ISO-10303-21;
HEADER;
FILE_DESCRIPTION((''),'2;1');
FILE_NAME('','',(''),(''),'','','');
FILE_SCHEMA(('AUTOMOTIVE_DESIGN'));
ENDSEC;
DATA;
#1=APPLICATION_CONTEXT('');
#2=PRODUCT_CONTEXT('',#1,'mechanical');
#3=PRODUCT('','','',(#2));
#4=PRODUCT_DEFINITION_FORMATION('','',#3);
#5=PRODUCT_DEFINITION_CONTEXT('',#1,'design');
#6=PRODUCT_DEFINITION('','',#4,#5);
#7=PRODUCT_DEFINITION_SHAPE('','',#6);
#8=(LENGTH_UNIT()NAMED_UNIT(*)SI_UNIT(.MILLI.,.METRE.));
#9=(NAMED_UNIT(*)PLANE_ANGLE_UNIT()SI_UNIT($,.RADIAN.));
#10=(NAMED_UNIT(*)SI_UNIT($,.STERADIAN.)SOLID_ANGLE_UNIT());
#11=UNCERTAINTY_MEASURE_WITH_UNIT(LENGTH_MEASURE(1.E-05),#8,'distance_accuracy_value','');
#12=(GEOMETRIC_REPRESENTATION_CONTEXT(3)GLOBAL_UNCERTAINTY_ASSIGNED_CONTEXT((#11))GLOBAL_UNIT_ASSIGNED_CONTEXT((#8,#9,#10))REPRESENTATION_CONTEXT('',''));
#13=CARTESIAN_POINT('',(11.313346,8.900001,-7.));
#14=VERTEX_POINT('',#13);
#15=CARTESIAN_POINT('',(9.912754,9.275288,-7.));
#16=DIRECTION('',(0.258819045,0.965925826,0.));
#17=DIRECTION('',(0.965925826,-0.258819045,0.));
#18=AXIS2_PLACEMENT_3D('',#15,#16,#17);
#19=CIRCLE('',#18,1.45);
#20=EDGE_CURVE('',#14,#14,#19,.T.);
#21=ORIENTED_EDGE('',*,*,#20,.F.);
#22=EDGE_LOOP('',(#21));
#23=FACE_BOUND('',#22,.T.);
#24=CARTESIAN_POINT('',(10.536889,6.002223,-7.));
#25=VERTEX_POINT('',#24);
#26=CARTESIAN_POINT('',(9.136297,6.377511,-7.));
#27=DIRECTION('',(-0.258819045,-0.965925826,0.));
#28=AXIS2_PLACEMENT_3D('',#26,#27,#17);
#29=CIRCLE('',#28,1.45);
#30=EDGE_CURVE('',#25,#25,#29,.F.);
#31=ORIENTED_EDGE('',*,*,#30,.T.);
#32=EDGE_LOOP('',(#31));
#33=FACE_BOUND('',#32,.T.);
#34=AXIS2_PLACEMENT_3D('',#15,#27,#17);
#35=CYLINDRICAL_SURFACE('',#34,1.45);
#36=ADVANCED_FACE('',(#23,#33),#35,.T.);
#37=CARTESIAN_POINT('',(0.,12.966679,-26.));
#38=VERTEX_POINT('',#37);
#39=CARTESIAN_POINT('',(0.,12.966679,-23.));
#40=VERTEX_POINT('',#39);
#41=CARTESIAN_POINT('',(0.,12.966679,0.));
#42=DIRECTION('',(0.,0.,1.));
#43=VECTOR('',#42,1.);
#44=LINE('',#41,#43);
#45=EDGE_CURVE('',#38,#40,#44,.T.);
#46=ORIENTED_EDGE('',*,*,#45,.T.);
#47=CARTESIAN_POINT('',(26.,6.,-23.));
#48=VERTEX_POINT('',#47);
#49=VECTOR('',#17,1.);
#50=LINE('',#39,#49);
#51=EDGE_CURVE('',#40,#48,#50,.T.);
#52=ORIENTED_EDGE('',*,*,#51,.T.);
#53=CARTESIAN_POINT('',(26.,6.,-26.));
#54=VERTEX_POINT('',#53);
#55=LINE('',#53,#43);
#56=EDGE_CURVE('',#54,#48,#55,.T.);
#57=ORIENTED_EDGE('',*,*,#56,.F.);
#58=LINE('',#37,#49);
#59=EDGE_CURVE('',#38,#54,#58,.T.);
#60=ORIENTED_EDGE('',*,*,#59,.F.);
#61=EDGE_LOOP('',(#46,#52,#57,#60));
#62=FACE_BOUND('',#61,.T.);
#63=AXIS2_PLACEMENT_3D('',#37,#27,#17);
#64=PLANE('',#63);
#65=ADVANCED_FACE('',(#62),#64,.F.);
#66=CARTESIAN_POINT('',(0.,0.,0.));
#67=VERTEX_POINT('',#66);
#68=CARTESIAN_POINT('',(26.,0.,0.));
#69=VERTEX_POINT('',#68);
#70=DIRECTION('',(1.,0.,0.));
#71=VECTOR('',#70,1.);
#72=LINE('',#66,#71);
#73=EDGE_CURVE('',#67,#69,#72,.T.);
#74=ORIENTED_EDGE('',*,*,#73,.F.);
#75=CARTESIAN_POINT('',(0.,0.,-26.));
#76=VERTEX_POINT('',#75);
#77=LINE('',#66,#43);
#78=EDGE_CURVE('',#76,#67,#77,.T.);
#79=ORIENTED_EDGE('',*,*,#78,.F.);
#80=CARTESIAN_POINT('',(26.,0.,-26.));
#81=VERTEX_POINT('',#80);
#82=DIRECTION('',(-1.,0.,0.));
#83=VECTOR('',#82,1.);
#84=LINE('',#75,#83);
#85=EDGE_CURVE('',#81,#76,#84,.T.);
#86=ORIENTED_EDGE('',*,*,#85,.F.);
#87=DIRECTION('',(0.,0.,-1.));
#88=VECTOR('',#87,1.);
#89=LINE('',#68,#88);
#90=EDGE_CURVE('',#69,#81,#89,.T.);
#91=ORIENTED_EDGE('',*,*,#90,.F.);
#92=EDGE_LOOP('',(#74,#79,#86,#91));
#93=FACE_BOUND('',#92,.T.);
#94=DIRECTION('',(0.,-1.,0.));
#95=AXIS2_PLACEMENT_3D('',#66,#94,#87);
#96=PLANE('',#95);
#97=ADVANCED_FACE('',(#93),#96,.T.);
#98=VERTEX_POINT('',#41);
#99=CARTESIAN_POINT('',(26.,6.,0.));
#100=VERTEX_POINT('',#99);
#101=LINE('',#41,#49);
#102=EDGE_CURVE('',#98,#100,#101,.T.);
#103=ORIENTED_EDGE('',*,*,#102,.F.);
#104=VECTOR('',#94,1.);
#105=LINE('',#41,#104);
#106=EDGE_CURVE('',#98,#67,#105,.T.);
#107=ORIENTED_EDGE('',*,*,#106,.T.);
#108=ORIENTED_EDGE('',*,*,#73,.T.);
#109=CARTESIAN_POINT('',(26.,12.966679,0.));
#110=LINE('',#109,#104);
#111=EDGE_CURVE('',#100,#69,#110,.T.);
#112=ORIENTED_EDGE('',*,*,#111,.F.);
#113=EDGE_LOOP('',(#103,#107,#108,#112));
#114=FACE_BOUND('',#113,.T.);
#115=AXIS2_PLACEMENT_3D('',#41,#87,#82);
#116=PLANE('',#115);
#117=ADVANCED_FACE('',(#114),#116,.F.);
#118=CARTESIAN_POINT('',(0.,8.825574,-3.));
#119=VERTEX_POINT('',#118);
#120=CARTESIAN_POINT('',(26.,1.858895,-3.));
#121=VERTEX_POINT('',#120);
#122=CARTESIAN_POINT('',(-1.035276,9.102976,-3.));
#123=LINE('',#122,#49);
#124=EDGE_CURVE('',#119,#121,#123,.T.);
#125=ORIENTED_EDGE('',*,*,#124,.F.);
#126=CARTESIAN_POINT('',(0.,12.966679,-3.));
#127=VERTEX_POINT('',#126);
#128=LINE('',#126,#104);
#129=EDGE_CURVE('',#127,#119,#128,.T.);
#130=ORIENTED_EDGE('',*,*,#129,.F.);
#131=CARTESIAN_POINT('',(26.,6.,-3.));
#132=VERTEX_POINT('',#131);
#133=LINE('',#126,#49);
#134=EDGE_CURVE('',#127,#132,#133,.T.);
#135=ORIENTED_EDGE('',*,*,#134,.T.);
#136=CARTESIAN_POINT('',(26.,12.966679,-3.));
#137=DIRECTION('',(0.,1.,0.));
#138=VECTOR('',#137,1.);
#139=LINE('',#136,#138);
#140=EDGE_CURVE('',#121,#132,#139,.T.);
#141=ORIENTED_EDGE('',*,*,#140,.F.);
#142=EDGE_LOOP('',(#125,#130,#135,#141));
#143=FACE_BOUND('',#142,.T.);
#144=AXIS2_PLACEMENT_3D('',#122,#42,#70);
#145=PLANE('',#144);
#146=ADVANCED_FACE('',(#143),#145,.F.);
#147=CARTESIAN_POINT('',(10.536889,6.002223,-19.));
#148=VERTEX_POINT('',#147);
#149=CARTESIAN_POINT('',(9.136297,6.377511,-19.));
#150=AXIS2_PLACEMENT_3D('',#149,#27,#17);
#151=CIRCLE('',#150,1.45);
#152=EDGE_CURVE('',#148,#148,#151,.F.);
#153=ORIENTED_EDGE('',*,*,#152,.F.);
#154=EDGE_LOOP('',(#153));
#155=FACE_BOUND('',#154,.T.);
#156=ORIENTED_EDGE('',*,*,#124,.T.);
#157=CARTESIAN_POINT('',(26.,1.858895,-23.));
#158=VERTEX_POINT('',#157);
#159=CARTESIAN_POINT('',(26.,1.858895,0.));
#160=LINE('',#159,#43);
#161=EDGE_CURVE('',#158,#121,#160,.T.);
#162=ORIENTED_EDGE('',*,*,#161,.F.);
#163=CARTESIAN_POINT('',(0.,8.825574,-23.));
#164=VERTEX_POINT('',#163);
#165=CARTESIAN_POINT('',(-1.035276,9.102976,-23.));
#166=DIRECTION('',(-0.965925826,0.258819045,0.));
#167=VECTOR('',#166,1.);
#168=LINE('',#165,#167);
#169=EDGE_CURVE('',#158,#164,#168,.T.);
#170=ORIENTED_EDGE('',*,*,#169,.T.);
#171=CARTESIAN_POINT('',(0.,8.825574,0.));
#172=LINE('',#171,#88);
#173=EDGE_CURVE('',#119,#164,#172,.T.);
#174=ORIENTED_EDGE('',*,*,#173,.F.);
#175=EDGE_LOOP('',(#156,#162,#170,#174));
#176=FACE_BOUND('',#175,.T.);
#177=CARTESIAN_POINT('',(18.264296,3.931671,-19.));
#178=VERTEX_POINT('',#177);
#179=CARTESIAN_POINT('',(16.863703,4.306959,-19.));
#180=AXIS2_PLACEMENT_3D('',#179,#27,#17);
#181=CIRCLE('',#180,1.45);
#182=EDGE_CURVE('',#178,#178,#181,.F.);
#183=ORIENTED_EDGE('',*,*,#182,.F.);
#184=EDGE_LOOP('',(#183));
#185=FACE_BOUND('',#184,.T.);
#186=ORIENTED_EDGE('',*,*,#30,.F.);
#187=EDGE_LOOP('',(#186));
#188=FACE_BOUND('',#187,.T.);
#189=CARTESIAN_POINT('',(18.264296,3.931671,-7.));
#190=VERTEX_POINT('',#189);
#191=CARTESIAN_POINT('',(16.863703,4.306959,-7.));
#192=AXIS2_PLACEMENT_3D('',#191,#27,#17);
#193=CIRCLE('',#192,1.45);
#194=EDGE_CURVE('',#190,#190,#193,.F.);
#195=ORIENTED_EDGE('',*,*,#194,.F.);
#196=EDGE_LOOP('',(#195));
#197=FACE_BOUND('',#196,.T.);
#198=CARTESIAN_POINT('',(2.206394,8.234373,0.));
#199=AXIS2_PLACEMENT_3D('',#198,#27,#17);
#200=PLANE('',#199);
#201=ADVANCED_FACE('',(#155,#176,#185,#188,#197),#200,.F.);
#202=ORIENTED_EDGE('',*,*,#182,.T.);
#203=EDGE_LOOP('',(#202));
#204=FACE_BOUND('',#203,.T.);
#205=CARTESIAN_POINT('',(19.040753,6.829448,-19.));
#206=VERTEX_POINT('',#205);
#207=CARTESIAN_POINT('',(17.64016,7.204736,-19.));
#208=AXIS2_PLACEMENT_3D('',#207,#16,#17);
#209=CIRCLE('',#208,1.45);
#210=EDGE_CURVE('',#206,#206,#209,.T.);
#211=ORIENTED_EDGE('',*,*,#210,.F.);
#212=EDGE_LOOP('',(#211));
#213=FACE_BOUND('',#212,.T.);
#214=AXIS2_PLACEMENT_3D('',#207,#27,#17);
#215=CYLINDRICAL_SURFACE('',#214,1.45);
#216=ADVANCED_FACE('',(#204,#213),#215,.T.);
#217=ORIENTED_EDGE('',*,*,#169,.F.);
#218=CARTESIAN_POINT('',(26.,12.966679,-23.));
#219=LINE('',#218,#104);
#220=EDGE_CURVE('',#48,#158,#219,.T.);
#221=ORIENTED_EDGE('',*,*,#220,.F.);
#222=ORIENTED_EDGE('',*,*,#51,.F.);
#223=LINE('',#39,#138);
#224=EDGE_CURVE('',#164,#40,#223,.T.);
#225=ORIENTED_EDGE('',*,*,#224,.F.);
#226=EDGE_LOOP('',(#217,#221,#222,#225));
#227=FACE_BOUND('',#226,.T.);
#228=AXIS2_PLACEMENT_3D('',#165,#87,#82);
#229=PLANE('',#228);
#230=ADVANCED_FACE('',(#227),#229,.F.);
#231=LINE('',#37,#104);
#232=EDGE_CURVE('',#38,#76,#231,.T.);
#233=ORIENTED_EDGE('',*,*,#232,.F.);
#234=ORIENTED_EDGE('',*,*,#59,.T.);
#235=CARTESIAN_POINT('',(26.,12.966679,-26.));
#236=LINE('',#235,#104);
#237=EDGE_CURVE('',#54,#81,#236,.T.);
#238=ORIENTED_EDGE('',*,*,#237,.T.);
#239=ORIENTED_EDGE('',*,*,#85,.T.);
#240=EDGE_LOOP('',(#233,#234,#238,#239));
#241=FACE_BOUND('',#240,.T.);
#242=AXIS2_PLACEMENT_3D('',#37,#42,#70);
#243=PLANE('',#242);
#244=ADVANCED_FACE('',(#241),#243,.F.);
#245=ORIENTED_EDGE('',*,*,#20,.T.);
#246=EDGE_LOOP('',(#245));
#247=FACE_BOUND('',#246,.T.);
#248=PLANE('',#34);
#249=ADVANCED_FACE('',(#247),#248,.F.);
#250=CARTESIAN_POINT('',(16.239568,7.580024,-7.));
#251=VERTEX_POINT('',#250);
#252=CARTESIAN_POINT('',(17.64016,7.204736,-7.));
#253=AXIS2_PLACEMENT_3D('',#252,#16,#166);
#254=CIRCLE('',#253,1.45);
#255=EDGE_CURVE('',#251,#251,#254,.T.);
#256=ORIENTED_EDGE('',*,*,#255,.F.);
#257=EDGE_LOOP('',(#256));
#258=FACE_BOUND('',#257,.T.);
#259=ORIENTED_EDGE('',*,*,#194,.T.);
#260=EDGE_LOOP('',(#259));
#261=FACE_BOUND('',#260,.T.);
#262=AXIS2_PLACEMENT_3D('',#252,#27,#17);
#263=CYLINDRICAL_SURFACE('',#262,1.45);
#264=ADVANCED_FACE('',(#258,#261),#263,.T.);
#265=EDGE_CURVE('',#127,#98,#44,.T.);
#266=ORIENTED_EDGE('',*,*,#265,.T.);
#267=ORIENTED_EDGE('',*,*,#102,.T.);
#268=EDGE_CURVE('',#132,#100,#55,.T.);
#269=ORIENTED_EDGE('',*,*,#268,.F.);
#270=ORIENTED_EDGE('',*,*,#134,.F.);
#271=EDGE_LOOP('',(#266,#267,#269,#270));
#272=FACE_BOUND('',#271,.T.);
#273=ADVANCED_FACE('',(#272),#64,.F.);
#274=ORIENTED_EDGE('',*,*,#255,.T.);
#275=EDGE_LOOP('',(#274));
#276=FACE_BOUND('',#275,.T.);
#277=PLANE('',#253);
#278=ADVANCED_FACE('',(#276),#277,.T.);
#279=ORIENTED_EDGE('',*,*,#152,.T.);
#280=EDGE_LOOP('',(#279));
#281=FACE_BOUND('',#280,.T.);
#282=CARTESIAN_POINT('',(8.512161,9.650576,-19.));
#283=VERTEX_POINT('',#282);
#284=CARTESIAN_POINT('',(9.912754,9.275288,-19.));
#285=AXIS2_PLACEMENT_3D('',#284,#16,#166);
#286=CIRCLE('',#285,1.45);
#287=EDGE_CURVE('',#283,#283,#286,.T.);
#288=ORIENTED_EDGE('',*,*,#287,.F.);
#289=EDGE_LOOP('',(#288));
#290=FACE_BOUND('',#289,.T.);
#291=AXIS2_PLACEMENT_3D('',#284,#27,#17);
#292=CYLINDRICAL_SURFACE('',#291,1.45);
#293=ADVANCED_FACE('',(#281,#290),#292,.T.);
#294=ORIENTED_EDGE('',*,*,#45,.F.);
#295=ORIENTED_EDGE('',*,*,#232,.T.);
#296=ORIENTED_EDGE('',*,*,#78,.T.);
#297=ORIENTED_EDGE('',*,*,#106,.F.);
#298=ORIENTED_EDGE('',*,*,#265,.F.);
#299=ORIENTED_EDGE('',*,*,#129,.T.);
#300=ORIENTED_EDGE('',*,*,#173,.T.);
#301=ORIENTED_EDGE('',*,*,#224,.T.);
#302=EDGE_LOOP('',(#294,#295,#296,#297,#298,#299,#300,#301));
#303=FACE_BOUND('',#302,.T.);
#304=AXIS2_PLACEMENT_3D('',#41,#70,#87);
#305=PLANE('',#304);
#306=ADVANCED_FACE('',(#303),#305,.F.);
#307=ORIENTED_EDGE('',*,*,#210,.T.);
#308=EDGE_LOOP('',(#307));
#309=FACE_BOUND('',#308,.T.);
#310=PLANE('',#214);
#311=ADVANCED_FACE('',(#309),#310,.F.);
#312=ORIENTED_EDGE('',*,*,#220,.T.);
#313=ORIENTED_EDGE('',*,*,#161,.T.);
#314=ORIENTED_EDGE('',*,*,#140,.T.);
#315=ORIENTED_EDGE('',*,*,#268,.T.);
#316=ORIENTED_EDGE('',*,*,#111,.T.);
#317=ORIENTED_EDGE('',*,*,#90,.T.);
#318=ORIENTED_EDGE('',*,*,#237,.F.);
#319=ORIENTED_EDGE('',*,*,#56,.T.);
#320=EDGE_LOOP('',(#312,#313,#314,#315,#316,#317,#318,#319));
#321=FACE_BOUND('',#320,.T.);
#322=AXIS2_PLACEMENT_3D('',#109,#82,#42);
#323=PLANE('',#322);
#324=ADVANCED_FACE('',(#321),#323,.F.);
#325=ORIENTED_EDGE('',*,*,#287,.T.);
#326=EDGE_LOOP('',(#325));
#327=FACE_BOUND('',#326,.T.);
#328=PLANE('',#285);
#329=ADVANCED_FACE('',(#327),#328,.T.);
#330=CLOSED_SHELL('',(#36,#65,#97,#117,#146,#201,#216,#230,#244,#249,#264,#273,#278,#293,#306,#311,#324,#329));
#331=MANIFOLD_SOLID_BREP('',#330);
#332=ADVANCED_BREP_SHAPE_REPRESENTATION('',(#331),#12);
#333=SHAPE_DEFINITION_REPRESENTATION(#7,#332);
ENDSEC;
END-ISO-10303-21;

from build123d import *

# Parameters (mm, degrees)
SKETCH1_W           = 26
SKETCH1_H           = 26
BOSS_EXTRUDE1_DEPTH = 12.966679003
CUT_EXTRUDE1_DEPTH  = 39.988905658
SKETCH3_W           = 50
SKETCH3_H           = 20
CUT_EXTRUDE2_DEPTH  = 4
SKETCH5_R           = 1.45
BOSS_EXTRUDE2_DEPTH = 3


with BuildPart() as part:
    # Sketch1 → Boss-Extrude1 (new body)
    with BuildSketch(Plane(origin=(0, 0, 0), x_dir=(1, 0, 0), z_dir=(0, 1, 0))):
        with Locations((13, 13)):
            Rectangle(SKETCH1_W, SKETCH1_H)
    extrude(amount=BOSS_EXTRUDE1_DEPTH)

    # Sketch2 → Cut-Extrude1 (cut, through all)
    with BuildSketch(Plane.XY):
        Polygon((0, 12.966679003), (26, 6), (26, 12.966679003), align=None)
    extrude(amount=-CUT_EXTRUDE1_DEPTH, mode=Mode.SUBTRACT)

    # Sketch3 → Cut-Extrude2 (cut)
    with BuildSketch(Plane(origin=(3.241669751, 12.098076211, 0), x_dir=(0.9659258262890681, -0.25881904510252174, 0), z_dir=(0.2588190451025217, 0.965925826289068, 0))):
        with Locations((21.643976522, 13)):
            Rectangle(SKETCH3_W, SKETCH3_H)
    extrude(amount=-CUT_EXTRUDE2_DEPTH, mode=Mode.SUBTRACT)

    # Sketch5 → Boss-Extrude2 (add)
    with BuildSketch(Plane(origin=(2.20639357, 8.234372906, 0), x_dir=(0.9659258262890681, -0.2588190451025218, 0), z_dir=(0.25881904510252174, 0.965925826289068, 0))):
        with Locations((7.174363637, 19)):
            Circle(SKETCH5_R)
        with Locations((7.174363637, 7)):
            Circle(SKETCH5_R)
        with Locations((15.174363637, 19)):
            Circle(SKETCH5_R)
        with Locations((15.174363637, 7)):
            Circle(SKETCH5_R)
    extrude(amount=BOSS_EXTRUDE2_DEPTH)


solid = part.part
